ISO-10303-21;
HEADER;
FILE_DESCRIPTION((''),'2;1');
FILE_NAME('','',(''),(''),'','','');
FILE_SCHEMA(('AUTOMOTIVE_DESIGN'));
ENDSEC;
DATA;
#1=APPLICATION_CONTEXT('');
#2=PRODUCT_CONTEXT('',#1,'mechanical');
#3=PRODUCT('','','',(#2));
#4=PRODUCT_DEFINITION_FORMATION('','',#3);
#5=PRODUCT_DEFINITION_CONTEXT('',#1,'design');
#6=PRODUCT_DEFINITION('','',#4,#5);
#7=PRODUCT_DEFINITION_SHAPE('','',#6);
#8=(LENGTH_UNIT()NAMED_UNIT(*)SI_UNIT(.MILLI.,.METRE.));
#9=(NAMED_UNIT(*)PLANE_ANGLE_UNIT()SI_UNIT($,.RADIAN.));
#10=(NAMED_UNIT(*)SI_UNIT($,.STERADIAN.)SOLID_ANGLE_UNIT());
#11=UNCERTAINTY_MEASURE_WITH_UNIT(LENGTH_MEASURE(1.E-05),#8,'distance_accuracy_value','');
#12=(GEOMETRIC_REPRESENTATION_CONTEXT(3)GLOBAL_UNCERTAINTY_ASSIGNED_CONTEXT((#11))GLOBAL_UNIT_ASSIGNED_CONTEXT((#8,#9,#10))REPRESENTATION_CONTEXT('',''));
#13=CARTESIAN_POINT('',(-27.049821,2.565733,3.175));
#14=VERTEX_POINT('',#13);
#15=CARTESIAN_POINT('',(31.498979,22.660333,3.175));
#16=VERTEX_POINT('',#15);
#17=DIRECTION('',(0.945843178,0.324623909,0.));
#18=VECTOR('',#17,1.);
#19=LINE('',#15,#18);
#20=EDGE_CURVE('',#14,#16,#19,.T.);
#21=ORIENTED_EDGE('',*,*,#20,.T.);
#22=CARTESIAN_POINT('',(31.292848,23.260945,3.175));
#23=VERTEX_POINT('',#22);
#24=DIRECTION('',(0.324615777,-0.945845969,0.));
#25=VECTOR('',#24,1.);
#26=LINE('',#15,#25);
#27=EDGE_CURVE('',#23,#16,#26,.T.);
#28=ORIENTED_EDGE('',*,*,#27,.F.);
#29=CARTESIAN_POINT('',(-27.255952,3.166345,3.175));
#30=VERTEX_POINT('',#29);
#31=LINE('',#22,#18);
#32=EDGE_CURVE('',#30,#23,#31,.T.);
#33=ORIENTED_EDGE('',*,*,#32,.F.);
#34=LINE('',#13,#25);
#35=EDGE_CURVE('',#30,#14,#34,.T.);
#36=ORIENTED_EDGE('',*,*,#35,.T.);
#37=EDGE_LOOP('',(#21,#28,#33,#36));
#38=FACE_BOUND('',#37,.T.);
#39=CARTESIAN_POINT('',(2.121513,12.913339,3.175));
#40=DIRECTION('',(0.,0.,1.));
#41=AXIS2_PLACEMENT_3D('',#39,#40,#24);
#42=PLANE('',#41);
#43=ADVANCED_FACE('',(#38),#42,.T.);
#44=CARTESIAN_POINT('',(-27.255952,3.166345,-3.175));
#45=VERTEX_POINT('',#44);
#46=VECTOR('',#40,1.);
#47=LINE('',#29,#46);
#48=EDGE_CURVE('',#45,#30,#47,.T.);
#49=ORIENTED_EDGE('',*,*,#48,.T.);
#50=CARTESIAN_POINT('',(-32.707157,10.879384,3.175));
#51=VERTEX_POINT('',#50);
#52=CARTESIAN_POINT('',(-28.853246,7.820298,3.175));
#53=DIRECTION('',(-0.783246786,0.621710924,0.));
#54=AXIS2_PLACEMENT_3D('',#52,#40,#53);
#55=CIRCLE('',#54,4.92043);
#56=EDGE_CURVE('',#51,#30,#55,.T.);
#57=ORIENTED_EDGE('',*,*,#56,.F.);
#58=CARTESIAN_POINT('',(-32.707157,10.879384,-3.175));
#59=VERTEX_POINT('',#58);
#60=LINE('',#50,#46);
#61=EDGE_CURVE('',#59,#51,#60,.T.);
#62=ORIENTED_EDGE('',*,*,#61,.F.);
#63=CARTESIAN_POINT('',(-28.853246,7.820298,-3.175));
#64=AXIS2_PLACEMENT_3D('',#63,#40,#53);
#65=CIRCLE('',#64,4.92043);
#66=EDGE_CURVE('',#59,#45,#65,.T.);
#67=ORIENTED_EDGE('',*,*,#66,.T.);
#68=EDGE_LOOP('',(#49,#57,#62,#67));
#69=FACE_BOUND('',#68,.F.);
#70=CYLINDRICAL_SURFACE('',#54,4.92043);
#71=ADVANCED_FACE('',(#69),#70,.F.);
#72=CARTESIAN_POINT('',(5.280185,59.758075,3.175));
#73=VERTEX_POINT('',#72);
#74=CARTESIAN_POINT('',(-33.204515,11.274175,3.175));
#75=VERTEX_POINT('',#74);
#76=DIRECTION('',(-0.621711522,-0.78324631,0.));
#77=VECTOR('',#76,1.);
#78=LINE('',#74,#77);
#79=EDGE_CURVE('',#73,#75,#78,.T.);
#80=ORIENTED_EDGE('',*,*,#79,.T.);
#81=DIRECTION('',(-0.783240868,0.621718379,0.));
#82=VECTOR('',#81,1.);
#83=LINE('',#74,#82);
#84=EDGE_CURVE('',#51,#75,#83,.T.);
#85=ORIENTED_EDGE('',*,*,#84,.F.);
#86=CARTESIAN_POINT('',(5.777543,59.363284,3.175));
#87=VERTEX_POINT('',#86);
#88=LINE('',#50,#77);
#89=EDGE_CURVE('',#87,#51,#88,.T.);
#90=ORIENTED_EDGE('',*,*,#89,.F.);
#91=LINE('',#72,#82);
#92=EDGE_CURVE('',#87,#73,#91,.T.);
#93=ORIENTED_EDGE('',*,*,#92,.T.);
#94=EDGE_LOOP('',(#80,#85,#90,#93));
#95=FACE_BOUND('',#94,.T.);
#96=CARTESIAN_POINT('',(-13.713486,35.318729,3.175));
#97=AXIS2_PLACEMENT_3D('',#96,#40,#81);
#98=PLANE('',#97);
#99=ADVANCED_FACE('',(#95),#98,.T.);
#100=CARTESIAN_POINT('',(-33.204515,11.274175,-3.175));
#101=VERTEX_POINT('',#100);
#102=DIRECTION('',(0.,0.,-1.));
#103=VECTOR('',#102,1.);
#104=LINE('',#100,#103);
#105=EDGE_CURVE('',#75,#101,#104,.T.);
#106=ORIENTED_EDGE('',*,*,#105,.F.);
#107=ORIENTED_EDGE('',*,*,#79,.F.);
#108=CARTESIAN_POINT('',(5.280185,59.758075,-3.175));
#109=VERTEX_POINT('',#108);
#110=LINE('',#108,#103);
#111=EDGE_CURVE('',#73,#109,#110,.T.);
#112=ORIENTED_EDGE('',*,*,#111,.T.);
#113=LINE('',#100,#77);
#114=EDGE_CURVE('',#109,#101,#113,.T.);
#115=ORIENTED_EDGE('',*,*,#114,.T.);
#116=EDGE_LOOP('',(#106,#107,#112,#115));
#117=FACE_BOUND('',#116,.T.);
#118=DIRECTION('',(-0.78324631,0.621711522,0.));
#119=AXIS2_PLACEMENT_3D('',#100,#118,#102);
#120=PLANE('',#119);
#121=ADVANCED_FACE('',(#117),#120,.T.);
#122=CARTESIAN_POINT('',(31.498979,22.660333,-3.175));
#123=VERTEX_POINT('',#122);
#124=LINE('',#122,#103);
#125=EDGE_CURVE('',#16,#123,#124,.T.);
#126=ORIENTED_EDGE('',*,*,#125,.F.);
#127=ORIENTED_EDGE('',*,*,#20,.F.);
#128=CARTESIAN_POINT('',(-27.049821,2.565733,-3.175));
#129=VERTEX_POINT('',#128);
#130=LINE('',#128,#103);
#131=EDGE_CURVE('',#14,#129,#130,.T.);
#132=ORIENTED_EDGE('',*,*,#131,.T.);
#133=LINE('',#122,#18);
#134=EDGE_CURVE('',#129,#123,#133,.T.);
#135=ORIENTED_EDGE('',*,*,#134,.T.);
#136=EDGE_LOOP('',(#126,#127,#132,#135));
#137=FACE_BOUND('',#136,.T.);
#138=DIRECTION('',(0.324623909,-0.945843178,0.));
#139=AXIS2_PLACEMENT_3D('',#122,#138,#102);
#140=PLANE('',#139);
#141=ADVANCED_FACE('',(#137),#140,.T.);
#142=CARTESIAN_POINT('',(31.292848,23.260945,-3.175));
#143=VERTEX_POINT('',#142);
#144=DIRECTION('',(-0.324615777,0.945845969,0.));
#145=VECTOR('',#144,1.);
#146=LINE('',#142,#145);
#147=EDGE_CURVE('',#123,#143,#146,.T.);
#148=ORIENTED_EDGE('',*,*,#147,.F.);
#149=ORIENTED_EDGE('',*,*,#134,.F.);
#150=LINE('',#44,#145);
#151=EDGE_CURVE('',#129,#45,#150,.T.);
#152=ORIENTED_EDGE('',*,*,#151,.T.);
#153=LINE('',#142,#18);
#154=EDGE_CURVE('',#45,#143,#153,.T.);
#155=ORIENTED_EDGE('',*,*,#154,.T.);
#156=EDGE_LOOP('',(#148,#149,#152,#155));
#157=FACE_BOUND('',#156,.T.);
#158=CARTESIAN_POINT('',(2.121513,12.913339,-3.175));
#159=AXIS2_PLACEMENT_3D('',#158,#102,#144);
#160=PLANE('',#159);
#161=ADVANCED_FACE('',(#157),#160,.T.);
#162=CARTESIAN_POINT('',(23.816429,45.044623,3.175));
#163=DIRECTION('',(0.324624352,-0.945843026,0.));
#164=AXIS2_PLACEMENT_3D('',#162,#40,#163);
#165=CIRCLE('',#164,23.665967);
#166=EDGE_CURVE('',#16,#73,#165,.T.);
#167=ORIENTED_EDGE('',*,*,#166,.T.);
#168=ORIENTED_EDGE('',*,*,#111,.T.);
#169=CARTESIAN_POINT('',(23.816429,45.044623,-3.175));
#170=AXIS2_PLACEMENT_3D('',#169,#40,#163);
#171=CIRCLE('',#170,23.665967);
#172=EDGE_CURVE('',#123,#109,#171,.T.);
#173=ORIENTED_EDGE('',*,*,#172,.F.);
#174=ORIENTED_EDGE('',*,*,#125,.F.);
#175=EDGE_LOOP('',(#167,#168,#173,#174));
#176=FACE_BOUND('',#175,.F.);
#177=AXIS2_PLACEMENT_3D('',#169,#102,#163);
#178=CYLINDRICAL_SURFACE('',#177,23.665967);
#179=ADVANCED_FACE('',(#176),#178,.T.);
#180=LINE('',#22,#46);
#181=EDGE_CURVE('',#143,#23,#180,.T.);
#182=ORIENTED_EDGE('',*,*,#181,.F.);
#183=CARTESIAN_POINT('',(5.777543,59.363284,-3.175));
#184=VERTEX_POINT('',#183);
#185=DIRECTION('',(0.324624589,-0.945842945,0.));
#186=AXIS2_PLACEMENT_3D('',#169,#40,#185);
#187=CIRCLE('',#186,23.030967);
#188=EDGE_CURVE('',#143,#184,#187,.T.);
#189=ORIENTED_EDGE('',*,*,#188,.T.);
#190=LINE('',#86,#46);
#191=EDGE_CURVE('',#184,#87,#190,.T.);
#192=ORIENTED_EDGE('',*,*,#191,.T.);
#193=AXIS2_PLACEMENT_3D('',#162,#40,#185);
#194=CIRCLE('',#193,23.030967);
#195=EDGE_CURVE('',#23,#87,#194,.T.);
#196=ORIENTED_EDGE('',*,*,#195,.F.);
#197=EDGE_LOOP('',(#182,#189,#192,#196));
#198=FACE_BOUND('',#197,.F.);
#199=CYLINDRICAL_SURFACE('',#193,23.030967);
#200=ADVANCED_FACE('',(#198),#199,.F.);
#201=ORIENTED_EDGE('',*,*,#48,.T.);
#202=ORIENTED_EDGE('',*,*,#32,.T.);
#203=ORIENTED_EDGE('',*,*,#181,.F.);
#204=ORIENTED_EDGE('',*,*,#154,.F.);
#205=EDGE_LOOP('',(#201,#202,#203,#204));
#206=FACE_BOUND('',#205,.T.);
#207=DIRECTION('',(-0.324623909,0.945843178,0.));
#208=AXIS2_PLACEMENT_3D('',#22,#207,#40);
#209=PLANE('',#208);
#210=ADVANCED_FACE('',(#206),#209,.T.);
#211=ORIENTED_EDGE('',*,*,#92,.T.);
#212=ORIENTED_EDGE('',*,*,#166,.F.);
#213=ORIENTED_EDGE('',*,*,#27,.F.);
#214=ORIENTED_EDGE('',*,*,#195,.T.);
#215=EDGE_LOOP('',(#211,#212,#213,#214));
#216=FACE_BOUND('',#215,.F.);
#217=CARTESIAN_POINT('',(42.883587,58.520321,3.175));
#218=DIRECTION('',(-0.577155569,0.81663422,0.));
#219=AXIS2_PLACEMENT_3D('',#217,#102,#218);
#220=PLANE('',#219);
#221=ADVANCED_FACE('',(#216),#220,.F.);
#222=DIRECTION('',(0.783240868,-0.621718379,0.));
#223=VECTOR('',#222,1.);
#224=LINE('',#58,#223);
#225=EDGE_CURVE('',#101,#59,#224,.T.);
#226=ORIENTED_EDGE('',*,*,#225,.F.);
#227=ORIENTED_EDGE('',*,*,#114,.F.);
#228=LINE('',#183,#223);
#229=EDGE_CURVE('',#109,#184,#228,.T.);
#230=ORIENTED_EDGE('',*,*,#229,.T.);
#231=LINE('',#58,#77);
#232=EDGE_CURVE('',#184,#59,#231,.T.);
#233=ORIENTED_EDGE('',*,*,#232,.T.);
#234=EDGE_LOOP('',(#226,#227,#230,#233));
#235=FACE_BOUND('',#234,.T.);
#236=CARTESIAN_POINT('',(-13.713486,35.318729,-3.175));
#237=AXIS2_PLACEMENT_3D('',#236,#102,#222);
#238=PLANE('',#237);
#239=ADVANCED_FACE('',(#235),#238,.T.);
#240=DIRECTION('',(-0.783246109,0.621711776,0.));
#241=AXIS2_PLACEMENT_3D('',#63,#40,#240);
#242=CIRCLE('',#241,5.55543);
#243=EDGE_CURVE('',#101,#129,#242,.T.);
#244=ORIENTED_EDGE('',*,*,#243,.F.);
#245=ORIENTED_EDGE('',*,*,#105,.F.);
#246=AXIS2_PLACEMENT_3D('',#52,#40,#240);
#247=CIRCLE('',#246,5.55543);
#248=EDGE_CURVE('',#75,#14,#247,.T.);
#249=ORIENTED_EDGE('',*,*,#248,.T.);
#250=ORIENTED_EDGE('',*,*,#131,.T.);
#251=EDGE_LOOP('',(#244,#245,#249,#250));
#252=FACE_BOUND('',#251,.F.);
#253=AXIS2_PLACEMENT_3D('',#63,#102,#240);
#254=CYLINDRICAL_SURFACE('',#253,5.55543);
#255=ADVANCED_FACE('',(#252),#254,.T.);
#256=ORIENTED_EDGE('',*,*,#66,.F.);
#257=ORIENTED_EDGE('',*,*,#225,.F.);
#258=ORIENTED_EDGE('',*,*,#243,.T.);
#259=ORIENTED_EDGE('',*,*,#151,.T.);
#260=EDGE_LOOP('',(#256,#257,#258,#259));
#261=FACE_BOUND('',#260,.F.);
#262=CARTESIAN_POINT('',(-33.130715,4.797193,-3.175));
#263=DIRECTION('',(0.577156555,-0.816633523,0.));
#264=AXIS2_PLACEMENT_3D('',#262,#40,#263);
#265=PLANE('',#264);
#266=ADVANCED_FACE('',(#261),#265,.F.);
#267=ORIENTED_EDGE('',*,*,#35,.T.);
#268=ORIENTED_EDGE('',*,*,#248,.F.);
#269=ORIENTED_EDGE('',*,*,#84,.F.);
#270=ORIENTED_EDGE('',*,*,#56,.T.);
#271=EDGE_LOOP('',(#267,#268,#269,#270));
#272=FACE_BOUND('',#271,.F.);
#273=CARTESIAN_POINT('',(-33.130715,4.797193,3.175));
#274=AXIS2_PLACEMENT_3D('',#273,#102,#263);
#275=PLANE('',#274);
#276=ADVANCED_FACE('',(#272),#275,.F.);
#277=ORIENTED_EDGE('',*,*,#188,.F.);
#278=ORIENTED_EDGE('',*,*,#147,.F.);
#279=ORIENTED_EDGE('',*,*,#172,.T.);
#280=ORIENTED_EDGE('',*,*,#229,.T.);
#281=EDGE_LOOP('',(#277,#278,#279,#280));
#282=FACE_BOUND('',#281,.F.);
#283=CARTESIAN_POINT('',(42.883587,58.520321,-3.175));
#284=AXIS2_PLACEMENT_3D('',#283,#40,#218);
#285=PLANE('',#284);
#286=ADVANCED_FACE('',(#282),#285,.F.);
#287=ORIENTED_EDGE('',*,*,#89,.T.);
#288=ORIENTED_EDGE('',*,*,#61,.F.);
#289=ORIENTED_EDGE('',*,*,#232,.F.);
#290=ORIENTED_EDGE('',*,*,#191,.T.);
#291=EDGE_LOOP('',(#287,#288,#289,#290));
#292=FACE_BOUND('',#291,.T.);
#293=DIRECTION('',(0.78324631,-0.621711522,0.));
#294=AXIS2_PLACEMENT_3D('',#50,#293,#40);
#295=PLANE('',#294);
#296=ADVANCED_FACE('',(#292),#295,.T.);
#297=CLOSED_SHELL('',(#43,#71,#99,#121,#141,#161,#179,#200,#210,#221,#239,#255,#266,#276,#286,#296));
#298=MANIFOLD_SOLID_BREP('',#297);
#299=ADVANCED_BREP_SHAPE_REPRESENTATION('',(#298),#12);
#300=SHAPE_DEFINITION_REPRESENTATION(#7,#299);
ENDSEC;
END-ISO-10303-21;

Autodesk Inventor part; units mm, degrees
sketch "Sketch Path" plane through (0, 0, 0) normal (0, 0, 1) x (1, 0, 0)
  arc A0 (-32.9061, 11.0373) -> (-27.1735, 2.9261) centre (-28.8533, 7.8203) ccw
  arc A1 (31.3753, 23.0207) -> (5.5786, 59.5212) centre (23.8165, 45.0446) ccw
  line L0 (31.3753, 23.0207) -> (-27.1735, 2.9261)
  line L1 (-32.9061, 11.0373) -> (5.5786, 59.5212)
ref_plane "Cross Section Plane" through (-27.1735, 2.9261, 0) normal (0.9458, 0.3246, 0) x (0, 0, 1)
ref_plane "Work Plane2" through (-28.8533, 7.8203, 0) normal (-1, 0, 0) x (0, 0, 1)
ref_plane "Work Plane3" through (23.8165, 45.0446, 0) normal (-0.6767, -0.7363, 0) x (0, 0, 1)
sketch "Cross Section" plane through (-27.1735, 2.9261, 0) normal (0.9458, 0.3246, 0) x (0, 0, 1)
  line L0 (-3.175, 0.381) -> (3.175, 0.381)
  line L1 (3.175, 0.381) -> (3.175, -0.254)
  line L2 (3.175, -0.254) -> (-3.175, -0.254)
  line L3 (-3.175, -0.254) -> (-3.175, 0.381)
  line L4 (-3.175, 0) -> (3.175, 0) construction
  point P0 (0, 0)
  point P1 (0, 0)
  dimension "d0" = 6.35
  dimension "d4" = 0.254
  dimension "d5" = 0.381
sweep "Belt" add profiles "Cross Section" path "Sketch Path"
equation "\"d0\" = da_B"
equation "\"d4\" = da_a"
equation "\"d5\" = da_a2"
equation "\"da_B\" = 6.35"
equation "\"da_pb\" = 2.032"
equation "\"da_L\" = 223.52"
equation "\"da_a\" = 0.254"
equation "\"da_S\" = 1.143"
equation "\"da_Beta\" = 20deg"
equation "\"da_Ht\" = 0.508"
equation "\"da_H\" = 1.143"
equation "\"da_a2\" = 0.381"
properties part number "Synchronous Belt" material "Rubber"
